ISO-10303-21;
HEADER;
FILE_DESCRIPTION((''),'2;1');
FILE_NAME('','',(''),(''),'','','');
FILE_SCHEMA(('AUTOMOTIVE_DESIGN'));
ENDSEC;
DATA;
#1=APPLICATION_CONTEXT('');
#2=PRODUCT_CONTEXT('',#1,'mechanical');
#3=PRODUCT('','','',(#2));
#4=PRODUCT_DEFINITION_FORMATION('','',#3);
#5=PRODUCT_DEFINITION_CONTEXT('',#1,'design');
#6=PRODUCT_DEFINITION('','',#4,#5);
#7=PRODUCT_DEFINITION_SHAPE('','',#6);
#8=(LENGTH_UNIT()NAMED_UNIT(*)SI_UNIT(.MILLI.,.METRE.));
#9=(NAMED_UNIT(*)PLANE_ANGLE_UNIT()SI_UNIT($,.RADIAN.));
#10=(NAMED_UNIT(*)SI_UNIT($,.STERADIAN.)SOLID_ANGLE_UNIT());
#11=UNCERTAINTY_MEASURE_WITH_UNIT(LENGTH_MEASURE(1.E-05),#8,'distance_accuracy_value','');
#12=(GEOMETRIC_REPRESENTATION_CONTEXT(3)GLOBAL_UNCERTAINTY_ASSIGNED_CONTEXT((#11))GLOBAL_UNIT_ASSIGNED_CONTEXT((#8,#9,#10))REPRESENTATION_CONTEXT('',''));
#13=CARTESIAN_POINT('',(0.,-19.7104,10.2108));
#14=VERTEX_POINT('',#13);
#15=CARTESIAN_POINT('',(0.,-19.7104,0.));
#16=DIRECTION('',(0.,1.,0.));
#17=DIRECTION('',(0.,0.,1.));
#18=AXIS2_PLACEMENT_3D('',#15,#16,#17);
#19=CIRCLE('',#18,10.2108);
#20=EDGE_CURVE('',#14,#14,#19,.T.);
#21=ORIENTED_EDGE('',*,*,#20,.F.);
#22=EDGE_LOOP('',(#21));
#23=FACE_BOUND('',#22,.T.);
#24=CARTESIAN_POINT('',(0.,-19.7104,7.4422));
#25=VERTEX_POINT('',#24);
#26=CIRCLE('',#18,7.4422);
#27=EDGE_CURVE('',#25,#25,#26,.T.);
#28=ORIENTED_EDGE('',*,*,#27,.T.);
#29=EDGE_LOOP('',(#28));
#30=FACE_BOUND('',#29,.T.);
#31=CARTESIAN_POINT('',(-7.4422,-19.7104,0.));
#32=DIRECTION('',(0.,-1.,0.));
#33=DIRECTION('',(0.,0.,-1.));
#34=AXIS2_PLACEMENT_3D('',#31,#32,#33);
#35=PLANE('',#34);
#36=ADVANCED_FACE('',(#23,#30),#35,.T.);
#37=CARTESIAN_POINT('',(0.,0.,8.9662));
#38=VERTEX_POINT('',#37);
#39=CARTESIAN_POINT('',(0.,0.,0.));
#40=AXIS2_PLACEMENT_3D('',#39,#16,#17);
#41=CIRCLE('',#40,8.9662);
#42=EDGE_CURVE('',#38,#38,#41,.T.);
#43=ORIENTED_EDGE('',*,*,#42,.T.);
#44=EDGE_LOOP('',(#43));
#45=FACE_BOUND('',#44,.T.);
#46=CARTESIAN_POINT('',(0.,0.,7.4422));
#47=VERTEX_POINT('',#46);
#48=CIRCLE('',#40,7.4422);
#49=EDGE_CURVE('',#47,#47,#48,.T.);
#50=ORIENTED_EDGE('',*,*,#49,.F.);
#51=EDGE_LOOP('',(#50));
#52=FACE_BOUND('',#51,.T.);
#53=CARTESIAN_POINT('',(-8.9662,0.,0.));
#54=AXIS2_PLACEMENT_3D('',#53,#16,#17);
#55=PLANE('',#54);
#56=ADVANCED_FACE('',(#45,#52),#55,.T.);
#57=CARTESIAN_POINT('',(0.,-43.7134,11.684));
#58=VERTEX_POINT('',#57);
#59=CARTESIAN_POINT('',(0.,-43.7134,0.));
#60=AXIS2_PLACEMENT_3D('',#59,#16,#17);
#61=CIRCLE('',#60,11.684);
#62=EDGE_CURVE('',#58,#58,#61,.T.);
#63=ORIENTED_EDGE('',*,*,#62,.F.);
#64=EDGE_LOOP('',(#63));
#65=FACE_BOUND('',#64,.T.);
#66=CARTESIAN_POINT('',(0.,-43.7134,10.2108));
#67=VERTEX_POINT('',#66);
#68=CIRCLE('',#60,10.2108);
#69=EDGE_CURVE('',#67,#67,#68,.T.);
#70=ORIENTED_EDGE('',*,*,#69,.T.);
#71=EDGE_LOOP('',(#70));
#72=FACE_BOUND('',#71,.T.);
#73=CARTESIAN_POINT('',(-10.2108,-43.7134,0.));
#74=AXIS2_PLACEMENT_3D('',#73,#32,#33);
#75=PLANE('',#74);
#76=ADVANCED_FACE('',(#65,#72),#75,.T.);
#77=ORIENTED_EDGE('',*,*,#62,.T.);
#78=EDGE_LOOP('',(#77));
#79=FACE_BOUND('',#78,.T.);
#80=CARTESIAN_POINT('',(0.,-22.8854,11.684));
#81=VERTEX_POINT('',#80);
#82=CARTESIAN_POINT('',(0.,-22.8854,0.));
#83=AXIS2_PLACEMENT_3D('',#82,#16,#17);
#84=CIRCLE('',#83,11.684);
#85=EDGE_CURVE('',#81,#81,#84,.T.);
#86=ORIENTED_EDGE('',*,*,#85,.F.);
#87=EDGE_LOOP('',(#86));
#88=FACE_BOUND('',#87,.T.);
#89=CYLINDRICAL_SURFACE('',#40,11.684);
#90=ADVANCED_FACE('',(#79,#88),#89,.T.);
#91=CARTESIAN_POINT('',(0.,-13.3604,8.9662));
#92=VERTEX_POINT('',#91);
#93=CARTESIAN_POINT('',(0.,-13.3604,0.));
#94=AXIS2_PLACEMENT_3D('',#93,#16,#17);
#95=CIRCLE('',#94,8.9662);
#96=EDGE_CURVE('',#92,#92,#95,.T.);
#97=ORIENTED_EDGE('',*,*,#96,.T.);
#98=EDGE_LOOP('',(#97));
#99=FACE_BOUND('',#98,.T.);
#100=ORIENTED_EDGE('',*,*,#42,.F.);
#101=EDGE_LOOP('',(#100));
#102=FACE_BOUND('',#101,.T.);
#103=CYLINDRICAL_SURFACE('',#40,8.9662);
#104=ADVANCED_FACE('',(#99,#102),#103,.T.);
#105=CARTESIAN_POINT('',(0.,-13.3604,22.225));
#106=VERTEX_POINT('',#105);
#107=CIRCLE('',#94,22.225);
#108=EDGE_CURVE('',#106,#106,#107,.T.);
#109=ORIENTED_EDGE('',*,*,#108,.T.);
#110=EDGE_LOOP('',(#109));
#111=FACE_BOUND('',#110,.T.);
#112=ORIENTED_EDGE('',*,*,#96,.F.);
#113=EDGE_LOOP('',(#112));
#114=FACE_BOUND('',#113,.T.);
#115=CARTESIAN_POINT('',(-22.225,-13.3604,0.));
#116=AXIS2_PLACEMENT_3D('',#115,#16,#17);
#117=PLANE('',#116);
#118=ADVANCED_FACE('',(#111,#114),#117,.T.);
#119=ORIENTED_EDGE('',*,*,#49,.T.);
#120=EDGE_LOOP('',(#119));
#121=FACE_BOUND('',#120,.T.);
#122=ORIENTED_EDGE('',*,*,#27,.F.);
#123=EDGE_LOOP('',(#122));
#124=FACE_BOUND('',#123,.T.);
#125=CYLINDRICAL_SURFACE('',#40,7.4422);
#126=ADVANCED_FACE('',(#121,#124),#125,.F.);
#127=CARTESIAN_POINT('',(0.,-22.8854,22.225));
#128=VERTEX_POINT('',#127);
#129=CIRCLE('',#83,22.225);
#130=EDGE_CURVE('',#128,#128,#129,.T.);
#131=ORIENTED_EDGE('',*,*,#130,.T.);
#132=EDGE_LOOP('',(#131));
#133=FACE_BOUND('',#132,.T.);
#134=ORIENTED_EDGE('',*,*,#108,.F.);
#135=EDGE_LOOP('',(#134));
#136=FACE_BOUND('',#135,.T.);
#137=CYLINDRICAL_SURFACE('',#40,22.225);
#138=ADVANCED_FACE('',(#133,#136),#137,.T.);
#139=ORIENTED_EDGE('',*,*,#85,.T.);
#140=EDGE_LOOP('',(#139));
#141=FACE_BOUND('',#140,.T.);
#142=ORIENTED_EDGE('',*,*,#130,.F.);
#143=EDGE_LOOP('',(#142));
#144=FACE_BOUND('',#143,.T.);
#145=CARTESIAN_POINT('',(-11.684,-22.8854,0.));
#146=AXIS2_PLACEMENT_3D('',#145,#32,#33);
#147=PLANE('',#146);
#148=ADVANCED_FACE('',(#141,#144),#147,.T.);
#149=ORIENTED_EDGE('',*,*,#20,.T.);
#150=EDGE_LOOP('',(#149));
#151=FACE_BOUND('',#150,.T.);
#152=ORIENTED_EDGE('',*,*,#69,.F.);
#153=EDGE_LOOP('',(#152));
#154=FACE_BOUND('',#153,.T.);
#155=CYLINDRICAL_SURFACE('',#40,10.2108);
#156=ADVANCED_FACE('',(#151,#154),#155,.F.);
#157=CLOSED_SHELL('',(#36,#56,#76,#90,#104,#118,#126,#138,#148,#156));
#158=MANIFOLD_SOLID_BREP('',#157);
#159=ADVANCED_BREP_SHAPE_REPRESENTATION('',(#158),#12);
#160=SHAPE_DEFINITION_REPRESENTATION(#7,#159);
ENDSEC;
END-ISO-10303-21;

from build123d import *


with BuildPart() as part:
    # Sketch1 → Revolve1 (revolve)
    with BuildSketch(Plane.XY):
        Polygon((-7.4422, 0), (-7.4422, -19.7104), (-10.2108, -19.7104), (-10.2108, -43.7134), (-11.684, -43.7134), (-11.684, -22.8854), (-22.225, -22.8854), (-22.225, -13.3604), (-8.9662, -13.3604), (-8.9662, 0), align=None)
    revolve(axis=Axis((0, 0, 0), (0, -1, 0)))


solid = part.part
